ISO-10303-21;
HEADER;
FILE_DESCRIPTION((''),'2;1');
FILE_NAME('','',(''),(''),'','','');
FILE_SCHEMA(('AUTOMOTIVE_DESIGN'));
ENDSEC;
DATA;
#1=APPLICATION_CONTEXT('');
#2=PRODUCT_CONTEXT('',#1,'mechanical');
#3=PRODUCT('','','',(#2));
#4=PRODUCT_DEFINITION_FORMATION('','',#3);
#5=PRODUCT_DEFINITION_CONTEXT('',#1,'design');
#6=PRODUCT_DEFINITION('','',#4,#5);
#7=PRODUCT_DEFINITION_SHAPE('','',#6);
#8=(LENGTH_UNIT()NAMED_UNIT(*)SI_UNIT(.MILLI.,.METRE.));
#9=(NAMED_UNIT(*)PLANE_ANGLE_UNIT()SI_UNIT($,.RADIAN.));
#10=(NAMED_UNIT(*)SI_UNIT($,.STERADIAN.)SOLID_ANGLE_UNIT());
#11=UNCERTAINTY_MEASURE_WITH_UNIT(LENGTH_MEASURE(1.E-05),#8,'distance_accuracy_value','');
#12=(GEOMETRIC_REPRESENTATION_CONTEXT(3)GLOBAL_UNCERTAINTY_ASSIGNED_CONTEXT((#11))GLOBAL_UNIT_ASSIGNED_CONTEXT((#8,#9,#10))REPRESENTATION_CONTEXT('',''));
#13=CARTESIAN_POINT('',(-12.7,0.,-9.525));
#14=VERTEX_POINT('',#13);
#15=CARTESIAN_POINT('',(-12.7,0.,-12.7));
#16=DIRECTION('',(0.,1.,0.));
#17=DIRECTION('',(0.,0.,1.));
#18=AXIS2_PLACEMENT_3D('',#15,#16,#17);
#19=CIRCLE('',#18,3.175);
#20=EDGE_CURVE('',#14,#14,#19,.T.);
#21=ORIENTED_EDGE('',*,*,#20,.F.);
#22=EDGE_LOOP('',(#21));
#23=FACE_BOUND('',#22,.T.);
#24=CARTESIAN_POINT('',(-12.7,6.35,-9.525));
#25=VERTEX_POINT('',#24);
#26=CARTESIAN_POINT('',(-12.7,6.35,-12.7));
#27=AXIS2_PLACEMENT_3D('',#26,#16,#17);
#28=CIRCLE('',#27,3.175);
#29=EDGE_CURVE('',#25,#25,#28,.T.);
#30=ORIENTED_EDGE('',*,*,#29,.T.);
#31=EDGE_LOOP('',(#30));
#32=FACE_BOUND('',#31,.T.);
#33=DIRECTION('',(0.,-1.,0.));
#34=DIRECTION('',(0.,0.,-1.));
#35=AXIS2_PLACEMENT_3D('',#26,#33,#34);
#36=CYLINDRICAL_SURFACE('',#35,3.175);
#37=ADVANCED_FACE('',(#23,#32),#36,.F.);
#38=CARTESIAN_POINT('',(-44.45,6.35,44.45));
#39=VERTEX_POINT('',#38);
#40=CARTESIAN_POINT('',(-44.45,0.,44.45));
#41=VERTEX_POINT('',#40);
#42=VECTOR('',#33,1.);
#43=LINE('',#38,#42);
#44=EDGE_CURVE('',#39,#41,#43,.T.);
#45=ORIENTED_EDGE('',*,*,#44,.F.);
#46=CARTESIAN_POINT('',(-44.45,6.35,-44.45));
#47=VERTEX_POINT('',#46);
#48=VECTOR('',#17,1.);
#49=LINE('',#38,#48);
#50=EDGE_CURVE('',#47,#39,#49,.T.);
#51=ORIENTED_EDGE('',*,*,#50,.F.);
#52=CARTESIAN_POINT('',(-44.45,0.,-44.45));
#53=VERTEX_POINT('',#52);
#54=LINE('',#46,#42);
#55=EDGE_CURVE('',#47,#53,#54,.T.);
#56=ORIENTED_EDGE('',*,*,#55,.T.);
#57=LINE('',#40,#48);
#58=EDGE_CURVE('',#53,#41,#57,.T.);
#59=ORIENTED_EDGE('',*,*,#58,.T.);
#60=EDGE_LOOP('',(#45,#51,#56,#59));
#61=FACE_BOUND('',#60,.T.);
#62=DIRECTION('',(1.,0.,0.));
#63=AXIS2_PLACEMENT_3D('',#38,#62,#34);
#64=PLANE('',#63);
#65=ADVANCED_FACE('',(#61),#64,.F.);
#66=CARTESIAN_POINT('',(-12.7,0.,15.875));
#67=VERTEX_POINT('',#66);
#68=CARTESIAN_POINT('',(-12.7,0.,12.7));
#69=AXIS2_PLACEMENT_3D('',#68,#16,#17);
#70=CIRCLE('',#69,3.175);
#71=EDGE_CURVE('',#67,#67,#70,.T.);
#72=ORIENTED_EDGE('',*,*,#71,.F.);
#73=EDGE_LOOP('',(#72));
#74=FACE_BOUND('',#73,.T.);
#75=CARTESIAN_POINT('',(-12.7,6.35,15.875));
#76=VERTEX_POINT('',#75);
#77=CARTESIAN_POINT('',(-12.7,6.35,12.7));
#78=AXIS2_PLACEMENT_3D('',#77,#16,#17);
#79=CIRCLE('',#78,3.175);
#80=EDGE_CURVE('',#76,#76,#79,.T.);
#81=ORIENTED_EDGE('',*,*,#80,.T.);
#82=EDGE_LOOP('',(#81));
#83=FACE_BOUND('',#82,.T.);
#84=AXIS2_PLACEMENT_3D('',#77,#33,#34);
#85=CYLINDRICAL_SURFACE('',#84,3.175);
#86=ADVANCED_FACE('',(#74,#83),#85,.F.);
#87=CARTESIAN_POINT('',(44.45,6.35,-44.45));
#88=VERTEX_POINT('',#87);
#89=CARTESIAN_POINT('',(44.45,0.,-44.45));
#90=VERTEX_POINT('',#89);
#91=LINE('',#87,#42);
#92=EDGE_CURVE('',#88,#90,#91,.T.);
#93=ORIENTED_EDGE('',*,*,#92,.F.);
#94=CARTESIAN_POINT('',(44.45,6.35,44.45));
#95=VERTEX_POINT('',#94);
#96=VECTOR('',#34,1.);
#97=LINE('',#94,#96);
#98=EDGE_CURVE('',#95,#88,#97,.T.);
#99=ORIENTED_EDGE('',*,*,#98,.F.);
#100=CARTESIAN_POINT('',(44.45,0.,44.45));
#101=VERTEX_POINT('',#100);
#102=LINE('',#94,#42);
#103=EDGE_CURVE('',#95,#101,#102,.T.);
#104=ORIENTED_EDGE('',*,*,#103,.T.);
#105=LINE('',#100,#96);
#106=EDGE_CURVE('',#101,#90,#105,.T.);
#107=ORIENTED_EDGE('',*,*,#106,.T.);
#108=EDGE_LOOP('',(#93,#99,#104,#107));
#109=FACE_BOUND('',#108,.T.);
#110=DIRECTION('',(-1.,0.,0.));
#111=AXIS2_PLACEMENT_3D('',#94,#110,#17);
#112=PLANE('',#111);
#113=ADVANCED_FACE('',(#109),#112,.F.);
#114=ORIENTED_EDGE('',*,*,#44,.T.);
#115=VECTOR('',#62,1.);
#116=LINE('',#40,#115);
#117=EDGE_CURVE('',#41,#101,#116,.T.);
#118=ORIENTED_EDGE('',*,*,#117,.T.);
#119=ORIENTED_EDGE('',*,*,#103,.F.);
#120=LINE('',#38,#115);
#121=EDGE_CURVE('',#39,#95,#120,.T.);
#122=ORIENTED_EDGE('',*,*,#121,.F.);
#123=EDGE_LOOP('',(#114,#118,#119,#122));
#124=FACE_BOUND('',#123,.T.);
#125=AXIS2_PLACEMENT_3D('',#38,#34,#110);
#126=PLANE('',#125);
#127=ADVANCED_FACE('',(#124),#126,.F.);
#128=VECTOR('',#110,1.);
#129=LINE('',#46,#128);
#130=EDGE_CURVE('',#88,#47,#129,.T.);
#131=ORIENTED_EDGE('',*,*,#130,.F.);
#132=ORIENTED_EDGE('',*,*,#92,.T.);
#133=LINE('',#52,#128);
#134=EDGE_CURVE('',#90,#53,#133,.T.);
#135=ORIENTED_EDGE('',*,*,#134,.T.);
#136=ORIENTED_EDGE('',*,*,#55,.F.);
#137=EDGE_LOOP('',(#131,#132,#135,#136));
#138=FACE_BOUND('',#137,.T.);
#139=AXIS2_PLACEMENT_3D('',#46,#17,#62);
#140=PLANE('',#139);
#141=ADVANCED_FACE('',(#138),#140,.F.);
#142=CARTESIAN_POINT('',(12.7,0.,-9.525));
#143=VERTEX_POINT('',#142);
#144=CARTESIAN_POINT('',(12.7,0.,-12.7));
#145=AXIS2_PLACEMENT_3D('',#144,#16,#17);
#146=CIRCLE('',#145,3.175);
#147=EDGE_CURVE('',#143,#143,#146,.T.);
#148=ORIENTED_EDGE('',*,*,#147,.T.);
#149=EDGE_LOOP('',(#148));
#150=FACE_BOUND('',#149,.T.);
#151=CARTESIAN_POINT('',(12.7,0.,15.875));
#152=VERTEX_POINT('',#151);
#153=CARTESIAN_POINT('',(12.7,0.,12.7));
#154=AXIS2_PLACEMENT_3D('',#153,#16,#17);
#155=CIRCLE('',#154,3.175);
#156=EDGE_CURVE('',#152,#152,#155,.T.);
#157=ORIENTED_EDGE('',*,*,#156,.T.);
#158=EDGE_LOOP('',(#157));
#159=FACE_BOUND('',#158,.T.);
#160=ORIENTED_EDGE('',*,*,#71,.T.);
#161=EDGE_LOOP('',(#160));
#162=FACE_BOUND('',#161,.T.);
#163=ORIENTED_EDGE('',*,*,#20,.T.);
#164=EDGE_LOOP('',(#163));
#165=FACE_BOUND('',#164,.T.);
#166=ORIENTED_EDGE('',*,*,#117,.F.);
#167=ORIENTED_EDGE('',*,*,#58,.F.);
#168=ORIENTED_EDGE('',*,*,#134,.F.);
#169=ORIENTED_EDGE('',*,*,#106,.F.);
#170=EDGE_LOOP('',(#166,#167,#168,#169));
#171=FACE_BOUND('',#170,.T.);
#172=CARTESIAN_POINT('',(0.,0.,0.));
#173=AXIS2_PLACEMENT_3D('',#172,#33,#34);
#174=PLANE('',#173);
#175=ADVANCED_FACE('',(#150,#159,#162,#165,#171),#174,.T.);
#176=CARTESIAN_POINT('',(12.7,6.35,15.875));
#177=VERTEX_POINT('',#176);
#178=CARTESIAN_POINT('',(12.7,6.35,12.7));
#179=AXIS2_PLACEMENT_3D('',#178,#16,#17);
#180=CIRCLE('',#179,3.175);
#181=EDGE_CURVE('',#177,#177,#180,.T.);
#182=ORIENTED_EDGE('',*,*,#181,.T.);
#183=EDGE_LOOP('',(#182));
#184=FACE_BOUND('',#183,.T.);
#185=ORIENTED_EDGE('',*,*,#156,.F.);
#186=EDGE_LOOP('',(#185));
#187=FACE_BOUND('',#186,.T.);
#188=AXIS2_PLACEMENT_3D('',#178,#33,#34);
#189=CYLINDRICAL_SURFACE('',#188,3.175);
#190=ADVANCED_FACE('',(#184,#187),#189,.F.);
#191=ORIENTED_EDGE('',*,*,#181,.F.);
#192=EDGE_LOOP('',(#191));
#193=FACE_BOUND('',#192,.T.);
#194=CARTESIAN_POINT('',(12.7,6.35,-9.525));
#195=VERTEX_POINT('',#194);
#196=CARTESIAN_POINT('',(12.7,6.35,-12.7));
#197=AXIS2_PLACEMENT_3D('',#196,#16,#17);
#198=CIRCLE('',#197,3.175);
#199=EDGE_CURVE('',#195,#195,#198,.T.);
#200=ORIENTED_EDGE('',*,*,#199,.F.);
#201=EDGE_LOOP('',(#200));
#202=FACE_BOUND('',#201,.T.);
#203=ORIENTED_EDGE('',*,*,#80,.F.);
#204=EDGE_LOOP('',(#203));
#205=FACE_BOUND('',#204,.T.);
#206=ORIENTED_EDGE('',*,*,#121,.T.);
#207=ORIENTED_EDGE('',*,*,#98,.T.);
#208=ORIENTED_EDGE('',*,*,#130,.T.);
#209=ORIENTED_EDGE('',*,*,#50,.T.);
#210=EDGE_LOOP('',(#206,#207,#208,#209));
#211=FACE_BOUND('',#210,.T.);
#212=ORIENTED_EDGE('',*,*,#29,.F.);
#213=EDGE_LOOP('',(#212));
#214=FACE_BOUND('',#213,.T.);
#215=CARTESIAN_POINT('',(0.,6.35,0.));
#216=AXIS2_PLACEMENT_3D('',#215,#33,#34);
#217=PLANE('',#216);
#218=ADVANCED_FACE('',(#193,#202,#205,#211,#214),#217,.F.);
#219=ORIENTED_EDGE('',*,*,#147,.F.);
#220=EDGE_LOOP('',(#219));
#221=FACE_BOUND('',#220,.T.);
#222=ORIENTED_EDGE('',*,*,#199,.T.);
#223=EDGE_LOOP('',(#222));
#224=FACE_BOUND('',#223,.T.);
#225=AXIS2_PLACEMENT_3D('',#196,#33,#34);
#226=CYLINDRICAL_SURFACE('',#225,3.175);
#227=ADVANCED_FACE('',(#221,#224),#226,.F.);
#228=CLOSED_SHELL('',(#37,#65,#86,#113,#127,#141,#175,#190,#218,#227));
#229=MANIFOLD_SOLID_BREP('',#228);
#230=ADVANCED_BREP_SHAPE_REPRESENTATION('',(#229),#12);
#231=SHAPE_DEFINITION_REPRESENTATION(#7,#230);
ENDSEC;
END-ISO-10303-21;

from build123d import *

# Parameters (mm, degrees)
SKETCH1_W           = 88.9
SKETCH1_H           = 88.9
SKETCH1_R           = 3.175
BOSS_EXTRUDE1_DEPTH = 6.35


with BuildPart() as part:
    # Sketch1 → Boss-Extrude1 (new body)
    with BuildSketch(Plane(origin=(0, 0, 0), x_dir=(1, 0, 0), z_dir=(0, 1, 0))):
        Rectangle(SKETCH1_W, SKETCH1_H)
        with Locations(Location((12.7, 12.7, 0), (0, 0, 270))):
            Circle(SKETCH1_R, mode=Mode.SUBTRACT)
        with Locations(Location((12.7, -12.7, 0), (0, 0, 270))):
            Circle(SKETCH1_R, mode=Mode.SUBTRACT)
        with Locations(Location((-12.7, -12.7, 0), (0, 0, 270))):
            Circle(SKETCH1_R, mode=Mode.SUBTRACT)
        with Locations(Location((-12.7, 12.7, 0), (0, 0, 270))):
            Circle(SKETCH1_R, mode=Mode.SUBTRACT)
    extrude(amount=BOSS_EXTRUDE1_DEPTH)


solid = part.part
